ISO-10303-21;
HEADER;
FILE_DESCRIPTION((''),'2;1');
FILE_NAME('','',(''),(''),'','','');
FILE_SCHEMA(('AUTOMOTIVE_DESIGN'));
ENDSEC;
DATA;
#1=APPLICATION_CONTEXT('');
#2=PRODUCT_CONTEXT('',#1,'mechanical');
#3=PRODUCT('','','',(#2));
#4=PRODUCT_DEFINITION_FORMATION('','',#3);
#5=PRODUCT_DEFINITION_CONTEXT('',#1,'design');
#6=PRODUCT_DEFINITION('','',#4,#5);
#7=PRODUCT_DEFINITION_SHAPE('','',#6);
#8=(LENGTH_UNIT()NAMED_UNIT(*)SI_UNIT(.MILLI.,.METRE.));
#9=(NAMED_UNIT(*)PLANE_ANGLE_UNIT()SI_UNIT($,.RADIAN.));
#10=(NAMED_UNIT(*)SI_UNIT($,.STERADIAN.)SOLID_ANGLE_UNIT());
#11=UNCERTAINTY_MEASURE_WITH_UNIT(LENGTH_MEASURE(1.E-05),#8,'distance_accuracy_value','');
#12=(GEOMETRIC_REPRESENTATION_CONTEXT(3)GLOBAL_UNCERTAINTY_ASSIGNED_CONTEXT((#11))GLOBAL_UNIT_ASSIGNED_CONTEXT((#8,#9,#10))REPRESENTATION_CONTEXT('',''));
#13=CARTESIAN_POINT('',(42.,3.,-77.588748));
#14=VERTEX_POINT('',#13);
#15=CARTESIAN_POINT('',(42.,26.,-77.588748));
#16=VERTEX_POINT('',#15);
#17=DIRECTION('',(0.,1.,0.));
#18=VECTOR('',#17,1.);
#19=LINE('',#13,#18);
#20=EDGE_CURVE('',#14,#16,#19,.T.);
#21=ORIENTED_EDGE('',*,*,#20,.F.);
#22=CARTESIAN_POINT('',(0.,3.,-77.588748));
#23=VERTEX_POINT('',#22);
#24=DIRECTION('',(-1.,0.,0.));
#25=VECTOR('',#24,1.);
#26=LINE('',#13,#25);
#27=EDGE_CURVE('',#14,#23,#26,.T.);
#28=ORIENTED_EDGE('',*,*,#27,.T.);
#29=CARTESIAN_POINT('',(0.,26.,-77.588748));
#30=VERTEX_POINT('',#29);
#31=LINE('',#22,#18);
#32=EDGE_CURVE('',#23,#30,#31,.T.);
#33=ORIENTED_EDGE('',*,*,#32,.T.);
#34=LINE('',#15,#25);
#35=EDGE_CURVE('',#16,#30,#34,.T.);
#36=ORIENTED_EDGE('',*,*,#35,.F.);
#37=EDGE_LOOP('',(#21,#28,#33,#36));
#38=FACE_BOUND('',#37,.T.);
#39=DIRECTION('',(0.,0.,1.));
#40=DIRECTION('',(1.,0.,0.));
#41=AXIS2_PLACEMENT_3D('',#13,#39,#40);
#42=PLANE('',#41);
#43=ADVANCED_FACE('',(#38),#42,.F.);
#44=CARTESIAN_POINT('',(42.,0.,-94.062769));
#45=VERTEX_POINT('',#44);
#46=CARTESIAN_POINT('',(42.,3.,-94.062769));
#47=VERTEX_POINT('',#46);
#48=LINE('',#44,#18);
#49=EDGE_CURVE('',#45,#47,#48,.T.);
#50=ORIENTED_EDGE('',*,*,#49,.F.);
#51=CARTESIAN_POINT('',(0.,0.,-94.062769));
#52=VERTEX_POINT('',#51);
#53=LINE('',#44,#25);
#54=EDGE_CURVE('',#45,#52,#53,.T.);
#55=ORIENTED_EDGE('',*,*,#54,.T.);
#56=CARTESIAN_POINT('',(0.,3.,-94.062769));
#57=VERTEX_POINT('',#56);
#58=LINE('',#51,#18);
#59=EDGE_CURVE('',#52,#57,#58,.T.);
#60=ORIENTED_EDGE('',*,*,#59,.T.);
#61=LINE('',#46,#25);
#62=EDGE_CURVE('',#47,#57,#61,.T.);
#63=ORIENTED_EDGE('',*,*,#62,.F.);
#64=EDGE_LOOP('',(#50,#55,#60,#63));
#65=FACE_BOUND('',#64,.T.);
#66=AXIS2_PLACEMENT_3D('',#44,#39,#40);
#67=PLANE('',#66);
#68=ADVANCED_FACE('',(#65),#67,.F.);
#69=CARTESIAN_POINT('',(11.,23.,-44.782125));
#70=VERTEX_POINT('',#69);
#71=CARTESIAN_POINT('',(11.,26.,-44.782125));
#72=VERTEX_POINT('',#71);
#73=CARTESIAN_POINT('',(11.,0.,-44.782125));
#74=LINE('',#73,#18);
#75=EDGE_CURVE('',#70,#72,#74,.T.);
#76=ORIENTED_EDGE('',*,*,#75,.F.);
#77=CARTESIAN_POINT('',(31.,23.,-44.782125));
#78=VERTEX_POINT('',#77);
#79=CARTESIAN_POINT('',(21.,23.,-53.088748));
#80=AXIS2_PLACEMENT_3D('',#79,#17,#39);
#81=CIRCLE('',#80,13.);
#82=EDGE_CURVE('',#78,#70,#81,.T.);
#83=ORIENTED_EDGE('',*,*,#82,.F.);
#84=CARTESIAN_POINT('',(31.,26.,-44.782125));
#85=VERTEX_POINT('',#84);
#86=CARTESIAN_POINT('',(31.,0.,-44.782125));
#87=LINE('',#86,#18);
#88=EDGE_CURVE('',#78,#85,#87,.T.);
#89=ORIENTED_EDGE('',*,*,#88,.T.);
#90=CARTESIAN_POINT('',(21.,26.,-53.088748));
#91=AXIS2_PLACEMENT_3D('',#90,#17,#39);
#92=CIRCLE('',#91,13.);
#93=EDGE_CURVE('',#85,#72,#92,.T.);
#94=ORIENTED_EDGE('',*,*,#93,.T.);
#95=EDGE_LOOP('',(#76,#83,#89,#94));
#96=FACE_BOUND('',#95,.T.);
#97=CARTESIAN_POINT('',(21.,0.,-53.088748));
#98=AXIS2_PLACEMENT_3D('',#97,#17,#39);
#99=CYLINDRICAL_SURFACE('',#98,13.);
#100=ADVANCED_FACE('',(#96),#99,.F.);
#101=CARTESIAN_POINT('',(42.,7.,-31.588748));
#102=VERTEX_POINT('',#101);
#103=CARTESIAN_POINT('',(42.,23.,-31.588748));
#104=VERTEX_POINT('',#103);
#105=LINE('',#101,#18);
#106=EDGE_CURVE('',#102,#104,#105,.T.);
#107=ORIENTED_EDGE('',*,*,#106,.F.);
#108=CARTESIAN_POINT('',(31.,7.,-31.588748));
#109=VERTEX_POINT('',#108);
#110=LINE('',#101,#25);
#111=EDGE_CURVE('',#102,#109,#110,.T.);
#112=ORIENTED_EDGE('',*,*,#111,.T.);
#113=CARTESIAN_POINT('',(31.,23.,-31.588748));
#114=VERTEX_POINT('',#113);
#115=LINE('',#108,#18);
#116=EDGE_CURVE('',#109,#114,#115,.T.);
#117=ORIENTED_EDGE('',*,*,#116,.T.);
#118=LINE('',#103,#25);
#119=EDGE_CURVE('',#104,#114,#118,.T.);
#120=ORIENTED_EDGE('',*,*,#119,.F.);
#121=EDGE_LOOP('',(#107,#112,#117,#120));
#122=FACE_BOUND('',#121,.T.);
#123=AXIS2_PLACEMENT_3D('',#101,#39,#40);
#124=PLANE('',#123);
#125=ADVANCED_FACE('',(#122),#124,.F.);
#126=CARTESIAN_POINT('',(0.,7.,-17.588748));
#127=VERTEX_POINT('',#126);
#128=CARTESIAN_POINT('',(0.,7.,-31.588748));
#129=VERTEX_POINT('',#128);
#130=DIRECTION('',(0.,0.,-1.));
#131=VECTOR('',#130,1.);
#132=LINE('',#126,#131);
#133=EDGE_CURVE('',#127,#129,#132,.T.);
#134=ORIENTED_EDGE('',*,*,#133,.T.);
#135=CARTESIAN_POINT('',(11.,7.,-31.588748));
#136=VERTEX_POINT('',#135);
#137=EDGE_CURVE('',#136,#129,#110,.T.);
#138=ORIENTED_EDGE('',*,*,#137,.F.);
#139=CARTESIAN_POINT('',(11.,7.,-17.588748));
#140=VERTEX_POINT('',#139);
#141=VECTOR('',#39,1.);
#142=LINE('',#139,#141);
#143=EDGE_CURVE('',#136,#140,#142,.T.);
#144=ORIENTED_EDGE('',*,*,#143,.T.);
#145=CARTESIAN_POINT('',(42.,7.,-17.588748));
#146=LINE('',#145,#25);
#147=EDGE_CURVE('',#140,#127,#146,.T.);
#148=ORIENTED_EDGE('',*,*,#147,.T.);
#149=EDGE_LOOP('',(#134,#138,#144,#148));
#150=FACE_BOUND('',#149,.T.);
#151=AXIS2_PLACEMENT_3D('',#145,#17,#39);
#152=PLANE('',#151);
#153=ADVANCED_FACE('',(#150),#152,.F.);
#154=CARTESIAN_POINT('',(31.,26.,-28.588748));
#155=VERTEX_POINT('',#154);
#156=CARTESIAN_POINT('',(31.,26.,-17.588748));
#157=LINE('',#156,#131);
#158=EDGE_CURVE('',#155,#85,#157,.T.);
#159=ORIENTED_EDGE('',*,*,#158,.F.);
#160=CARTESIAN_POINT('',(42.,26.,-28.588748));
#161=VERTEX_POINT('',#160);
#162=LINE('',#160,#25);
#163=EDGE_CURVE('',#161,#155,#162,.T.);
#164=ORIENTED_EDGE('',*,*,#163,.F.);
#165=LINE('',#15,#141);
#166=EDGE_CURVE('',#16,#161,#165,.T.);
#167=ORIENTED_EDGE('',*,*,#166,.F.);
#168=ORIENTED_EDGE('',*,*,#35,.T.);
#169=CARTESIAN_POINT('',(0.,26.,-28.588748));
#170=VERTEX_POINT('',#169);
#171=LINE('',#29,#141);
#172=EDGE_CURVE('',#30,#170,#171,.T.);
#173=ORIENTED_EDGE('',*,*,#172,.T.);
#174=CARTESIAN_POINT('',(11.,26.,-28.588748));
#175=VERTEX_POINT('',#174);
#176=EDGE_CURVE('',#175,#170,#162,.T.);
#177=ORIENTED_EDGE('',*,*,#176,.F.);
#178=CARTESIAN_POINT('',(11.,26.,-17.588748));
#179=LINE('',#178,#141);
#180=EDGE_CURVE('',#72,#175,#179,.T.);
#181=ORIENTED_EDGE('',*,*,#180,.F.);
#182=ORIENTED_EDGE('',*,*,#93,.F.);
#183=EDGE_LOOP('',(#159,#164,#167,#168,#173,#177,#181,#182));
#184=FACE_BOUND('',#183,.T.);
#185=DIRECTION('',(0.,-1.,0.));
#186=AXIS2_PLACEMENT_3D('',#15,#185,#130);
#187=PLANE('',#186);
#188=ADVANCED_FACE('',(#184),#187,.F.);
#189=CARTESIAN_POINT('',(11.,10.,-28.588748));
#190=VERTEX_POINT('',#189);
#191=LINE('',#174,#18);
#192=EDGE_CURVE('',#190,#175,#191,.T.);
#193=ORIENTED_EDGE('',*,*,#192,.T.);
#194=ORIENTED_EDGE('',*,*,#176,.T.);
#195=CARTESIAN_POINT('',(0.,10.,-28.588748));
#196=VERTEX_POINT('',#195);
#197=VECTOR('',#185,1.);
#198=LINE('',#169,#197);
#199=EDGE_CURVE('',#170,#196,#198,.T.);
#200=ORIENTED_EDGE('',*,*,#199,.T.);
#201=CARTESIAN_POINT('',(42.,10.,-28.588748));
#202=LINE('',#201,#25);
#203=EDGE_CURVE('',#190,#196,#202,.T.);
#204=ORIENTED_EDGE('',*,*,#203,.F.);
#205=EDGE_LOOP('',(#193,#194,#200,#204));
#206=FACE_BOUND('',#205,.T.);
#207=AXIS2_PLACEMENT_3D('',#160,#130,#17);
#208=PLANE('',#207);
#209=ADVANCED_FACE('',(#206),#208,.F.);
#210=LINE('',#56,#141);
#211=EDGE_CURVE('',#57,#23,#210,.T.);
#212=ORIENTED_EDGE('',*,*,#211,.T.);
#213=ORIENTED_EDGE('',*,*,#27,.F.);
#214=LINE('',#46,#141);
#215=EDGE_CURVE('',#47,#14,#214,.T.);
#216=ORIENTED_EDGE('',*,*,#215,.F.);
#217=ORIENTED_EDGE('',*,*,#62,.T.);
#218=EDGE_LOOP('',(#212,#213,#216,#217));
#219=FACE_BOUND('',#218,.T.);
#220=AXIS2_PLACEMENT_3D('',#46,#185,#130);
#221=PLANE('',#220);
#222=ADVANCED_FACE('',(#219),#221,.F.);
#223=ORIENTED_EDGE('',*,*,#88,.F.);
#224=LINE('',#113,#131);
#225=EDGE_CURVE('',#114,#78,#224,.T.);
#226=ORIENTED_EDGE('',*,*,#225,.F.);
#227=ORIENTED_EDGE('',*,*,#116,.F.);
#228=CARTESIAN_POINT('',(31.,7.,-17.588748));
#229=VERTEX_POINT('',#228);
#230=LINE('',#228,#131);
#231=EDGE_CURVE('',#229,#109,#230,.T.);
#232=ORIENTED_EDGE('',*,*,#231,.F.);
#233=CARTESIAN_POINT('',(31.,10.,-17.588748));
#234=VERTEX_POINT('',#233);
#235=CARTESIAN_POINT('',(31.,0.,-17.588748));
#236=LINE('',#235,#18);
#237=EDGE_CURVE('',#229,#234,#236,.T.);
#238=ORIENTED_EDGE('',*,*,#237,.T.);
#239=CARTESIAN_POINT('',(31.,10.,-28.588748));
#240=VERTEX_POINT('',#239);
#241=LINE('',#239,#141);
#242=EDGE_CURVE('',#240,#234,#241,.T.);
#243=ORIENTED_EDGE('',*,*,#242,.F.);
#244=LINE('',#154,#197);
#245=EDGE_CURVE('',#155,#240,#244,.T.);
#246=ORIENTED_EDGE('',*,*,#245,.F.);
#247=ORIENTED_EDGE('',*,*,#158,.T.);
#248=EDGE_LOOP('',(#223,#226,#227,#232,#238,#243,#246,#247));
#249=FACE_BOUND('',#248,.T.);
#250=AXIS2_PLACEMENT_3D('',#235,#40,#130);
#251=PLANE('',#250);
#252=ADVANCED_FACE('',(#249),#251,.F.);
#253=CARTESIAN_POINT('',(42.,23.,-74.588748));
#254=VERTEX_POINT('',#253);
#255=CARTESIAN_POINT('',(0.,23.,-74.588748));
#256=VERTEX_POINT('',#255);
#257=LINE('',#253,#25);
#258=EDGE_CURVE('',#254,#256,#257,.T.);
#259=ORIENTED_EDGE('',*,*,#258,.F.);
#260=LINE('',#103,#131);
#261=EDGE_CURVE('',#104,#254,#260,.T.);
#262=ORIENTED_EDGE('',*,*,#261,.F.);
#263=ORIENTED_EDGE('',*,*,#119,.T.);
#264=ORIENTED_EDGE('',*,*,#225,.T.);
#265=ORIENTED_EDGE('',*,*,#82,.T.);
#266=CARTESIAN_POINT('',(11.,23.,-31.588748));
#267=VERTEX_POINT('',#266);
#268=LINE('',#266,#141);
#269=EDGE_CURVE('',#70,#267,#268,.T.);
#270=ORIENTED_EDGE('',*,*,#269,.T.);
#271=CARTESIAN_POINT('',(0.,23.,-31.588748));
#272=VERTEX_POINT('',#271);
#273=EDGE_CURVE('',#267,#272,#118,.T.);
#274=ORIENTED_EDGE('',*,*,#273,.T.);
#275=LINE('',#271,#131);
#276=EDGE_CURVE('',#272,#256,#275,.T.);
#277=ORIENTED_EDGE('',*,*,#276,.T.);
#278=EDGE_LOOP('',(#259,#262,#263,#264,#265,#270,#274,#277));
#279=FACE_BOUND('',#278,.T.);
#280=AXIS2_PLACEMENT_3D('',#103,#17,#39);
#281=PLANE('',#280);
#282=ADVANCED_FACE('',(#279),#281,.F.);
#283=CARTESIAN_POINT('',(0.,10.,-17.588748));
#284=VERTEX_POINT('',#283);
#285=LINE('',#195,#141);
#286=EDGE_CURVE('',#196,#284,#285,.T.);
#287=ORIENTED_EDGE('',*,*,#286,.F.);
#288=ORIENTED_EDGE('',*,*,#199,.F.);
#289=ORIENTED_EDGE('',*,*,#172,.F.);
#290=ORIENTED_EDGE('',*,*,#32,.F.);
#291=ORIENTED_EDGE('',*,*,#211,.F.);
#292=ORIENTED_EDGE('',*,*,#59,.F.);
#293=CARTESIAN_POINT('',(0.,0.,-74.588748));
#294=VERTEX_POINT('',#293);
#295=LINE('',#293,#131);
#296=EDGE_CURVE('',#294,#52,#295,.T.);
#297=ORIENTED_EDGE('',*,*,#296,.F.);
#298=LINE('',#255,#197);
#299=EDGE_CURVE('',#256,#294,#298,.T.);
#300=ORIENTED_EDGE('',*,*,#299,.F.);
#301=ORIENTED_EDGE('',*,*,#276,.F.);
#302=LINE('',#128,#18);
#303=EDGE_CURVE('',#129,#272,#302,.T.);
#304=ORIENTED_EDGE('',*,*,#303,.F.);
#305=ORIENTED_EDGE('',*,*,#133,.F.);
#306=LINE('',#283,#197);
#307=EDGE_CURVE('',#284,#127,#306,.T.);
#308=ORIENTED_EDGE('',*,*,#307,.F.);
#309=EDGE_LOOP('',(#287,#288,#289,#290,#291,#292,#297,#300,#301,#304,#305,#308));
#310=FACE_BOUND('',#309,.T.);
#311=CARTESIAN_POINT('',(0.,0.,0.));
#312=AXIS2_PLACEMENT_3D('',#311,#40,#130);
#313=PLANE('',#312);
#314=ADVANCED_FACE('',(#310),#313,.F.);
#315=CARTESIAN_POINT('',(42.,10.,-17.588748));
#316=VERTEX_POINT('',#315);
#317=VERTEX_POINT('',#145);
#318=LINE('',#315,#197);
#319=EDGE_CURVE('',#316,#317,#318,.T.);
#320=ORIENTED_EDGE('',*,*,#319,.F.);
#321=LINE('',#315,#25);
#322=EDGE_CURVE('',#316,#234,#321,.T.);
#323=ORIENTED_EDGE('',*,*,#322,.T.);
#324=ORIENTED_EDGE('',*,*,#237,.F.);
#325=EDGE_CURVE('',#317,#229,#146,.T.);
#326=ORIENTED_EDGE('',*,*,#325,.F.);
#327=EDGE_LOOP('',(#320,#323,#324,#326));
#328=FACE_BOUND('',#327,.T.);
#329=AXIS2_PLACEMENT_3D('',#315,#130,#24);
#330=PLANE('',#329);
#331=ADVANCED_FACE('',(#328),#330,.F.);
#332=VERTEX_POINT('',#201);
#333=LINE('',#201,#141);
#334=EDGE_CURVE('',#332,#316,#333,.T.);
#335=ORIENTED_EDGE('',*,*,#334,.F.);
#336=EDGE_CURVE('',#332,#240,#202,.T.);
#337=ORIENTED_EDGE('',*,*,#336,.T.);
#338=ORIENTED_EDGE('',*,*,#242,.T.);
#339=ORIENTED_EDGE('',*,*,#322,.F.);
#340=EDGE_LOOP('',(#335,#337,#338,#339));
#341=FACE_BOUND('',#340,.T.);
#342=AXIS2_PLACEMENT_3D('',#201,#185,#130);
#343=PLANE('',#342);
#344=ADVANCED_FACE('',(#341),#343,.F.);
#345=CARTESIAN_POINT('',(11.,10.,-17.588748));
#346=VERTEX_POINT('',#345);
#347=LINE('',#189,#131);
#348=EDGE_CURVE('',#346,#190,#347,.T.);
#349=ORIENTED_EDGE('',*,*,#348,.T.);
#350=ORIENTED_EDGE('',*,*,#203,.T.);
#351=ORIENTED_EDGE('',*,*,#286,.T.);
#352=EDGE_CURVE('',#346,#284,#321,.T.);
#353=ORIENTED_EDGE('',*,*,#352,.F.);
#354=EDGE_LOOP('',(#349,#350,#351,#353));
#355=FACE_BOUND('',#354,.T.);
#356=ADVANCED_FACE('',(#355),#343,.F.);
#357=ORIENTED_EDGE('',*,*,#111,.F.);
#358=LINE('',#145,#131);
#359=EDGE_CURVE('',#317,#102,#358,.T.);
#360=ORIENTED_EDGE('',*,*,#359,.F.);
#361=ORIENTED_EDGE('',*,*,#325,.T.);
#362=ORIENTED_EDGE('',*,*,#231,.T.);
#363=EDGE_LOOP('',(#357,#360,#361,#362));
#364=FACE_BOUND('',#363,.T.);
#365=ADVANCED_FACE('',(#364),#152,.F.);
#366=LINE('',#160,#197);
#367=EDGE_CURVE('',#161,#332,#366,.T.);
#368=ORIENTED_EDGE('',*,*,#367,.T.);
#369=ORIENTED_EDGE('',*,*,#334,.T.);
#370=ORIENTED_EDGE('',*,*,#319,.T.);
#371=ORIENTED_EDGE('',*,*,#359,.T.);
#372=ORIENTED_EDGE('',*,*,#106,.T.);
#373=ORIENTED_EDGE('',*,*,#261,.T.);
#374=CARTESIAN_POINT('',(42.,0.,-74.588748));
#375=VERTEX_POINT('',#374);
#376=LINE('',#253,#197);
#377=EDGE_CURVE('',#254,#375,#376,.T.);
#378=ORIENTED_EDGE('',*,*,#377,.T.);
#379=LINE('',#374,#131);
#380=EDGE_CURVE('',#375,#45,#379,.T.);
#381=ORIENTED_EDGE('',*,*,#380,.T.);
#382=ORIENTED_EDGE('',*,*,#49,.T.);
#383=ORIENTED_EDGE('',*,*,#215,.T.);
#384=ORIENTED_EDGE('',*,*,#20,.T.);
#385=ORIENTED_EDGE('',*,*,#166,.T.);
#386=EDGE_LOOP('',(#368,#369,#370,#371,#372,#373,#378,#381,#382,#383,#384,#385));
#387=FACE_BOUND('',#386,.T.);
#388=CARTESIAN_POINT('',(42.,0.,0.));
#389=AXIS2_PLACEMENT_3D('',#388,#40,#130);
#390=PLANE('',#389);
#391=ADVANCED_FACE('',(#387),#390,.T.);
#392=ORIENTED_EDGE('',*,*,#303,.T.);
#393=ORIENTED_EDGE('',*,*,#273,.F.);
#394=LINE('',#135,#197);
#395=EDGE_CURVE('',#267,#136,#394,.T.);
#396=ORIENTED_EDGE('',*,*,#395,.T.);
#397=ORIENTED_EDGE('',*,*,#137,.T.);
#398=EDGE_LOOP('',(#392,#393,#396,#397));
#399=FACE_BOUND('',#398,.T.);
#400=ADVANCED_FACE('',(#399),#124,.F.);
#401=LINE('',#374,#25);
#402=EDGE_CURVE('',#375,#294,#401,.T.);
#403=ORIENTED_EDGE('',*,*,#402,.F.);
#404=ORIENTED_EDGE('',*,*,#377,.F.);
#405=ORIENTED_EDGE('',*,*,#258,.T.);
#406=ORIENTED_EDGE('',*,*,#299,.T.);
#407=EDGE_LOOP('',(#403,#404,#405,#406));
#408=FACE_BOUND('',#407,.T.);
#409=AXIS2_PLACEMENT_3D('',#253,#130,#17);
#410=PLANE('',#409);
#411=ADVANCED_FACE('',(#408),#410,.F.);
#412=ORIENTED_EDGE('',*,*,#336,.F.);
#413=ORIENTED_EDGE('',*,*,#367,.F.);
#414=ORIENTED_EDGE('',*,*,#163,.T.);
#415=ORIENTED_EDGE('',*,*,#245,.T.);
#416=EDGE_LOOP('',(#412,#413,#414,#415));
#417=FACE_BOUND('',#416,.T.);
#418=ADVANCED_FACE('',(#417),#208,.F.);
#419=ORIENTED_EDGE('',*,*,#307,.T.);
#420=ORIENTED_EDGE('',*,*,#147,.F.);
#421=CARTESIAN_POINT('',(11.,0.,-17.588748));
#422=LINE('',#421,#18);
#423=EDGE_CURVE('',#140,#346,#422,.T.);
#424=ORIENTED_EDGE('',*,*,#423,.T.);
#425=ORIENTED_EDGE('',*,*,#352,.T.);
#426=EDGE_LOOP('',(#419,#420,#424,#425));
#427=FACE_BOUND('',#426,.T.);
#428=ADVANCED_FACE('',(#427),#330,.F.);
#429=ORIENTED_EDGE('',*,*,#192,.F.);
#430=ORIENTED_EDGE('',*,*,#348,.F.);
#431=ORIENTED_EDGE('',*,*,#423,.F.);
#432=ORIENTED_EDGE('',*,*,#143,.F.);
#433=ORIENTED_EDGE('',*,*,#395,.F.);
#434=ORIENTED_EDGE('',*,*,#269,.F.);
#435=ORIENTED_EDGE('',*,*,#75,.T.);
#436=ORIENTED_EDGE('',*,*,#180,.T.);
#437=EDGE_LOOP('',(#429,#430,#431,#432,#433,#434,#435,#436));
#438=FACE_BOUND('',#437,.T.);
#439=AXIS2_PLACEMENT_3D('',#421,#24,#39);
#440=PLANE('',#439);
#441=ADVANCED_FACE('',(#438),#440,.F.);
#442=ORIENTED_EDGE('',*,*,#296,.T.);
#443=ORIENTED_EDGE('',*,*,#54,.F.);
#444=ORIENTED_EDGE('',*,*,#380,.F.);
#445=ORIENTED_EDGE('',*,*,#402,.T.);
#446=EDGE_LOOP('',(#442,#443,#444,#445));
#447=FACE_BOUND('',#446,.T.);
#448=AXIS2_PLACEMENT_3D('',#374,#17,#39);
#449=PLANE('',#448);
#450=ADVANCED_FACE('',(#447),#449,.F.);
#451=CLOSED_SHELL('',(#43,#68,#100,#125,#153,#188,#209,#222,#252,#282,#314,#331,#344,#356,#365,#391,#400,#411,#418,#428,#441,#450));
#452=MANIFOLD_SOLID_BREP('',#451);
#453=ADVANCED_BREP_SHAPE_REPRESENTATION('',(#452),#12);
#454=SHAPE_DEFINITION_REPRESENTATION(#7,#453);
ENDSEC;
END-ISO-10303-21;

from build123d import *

# Parameters (mm, degrees)
BOSS_EXTRUDE1_DEPTH = 42
CUT_EXTRUDE1_DEPTH  = 107.244079886


with BuildPart() as part:
    # Sketch2 → Boss-Extrude1 (new body)
    with BuildSketch(Plane(origin=(0, 0, 0), x_dir=(0, 0, -1), z_dir=(1, 0, 0))):
        Polygon((74.588748486, 0), (94.062768994, 0), (94.062768994, 3), (77.588748486, 3), (77.588748486, 26), (28.588748486, 26), (28.588748486, 10), (17.588748486, 10), (17.588748486, 7), (31.588748486, 7), (31.588748486, 23), (74.588748486, 23), align=None)
    extrude(amount=BOSS_EXTRUDE1_DEPTH)

    # Sketch3 → Cut-Extrude1 (cut, through all)
    with BuildSketch(Plane(origin=(0, 26, 0), x_dir=(1, 0, 0), z_dir=(0, 1, 0))):
        with BuildLine():
            Line((11, 17.588748486), (11, 44.782124623))
            ThreePointArc((11, 44.782124623), (21, 66.088748486), (31, 44.782124623))
            Line((31, 44.782124623), (31, 17.588748486))
            Line((31, 17.588748486), (11, 17.588748486))
        make_face()
    extrude(amount=-CUT_EXTRUDE1_DEPTH, mode=Mode.SUBTRACT)


solid = part.part
